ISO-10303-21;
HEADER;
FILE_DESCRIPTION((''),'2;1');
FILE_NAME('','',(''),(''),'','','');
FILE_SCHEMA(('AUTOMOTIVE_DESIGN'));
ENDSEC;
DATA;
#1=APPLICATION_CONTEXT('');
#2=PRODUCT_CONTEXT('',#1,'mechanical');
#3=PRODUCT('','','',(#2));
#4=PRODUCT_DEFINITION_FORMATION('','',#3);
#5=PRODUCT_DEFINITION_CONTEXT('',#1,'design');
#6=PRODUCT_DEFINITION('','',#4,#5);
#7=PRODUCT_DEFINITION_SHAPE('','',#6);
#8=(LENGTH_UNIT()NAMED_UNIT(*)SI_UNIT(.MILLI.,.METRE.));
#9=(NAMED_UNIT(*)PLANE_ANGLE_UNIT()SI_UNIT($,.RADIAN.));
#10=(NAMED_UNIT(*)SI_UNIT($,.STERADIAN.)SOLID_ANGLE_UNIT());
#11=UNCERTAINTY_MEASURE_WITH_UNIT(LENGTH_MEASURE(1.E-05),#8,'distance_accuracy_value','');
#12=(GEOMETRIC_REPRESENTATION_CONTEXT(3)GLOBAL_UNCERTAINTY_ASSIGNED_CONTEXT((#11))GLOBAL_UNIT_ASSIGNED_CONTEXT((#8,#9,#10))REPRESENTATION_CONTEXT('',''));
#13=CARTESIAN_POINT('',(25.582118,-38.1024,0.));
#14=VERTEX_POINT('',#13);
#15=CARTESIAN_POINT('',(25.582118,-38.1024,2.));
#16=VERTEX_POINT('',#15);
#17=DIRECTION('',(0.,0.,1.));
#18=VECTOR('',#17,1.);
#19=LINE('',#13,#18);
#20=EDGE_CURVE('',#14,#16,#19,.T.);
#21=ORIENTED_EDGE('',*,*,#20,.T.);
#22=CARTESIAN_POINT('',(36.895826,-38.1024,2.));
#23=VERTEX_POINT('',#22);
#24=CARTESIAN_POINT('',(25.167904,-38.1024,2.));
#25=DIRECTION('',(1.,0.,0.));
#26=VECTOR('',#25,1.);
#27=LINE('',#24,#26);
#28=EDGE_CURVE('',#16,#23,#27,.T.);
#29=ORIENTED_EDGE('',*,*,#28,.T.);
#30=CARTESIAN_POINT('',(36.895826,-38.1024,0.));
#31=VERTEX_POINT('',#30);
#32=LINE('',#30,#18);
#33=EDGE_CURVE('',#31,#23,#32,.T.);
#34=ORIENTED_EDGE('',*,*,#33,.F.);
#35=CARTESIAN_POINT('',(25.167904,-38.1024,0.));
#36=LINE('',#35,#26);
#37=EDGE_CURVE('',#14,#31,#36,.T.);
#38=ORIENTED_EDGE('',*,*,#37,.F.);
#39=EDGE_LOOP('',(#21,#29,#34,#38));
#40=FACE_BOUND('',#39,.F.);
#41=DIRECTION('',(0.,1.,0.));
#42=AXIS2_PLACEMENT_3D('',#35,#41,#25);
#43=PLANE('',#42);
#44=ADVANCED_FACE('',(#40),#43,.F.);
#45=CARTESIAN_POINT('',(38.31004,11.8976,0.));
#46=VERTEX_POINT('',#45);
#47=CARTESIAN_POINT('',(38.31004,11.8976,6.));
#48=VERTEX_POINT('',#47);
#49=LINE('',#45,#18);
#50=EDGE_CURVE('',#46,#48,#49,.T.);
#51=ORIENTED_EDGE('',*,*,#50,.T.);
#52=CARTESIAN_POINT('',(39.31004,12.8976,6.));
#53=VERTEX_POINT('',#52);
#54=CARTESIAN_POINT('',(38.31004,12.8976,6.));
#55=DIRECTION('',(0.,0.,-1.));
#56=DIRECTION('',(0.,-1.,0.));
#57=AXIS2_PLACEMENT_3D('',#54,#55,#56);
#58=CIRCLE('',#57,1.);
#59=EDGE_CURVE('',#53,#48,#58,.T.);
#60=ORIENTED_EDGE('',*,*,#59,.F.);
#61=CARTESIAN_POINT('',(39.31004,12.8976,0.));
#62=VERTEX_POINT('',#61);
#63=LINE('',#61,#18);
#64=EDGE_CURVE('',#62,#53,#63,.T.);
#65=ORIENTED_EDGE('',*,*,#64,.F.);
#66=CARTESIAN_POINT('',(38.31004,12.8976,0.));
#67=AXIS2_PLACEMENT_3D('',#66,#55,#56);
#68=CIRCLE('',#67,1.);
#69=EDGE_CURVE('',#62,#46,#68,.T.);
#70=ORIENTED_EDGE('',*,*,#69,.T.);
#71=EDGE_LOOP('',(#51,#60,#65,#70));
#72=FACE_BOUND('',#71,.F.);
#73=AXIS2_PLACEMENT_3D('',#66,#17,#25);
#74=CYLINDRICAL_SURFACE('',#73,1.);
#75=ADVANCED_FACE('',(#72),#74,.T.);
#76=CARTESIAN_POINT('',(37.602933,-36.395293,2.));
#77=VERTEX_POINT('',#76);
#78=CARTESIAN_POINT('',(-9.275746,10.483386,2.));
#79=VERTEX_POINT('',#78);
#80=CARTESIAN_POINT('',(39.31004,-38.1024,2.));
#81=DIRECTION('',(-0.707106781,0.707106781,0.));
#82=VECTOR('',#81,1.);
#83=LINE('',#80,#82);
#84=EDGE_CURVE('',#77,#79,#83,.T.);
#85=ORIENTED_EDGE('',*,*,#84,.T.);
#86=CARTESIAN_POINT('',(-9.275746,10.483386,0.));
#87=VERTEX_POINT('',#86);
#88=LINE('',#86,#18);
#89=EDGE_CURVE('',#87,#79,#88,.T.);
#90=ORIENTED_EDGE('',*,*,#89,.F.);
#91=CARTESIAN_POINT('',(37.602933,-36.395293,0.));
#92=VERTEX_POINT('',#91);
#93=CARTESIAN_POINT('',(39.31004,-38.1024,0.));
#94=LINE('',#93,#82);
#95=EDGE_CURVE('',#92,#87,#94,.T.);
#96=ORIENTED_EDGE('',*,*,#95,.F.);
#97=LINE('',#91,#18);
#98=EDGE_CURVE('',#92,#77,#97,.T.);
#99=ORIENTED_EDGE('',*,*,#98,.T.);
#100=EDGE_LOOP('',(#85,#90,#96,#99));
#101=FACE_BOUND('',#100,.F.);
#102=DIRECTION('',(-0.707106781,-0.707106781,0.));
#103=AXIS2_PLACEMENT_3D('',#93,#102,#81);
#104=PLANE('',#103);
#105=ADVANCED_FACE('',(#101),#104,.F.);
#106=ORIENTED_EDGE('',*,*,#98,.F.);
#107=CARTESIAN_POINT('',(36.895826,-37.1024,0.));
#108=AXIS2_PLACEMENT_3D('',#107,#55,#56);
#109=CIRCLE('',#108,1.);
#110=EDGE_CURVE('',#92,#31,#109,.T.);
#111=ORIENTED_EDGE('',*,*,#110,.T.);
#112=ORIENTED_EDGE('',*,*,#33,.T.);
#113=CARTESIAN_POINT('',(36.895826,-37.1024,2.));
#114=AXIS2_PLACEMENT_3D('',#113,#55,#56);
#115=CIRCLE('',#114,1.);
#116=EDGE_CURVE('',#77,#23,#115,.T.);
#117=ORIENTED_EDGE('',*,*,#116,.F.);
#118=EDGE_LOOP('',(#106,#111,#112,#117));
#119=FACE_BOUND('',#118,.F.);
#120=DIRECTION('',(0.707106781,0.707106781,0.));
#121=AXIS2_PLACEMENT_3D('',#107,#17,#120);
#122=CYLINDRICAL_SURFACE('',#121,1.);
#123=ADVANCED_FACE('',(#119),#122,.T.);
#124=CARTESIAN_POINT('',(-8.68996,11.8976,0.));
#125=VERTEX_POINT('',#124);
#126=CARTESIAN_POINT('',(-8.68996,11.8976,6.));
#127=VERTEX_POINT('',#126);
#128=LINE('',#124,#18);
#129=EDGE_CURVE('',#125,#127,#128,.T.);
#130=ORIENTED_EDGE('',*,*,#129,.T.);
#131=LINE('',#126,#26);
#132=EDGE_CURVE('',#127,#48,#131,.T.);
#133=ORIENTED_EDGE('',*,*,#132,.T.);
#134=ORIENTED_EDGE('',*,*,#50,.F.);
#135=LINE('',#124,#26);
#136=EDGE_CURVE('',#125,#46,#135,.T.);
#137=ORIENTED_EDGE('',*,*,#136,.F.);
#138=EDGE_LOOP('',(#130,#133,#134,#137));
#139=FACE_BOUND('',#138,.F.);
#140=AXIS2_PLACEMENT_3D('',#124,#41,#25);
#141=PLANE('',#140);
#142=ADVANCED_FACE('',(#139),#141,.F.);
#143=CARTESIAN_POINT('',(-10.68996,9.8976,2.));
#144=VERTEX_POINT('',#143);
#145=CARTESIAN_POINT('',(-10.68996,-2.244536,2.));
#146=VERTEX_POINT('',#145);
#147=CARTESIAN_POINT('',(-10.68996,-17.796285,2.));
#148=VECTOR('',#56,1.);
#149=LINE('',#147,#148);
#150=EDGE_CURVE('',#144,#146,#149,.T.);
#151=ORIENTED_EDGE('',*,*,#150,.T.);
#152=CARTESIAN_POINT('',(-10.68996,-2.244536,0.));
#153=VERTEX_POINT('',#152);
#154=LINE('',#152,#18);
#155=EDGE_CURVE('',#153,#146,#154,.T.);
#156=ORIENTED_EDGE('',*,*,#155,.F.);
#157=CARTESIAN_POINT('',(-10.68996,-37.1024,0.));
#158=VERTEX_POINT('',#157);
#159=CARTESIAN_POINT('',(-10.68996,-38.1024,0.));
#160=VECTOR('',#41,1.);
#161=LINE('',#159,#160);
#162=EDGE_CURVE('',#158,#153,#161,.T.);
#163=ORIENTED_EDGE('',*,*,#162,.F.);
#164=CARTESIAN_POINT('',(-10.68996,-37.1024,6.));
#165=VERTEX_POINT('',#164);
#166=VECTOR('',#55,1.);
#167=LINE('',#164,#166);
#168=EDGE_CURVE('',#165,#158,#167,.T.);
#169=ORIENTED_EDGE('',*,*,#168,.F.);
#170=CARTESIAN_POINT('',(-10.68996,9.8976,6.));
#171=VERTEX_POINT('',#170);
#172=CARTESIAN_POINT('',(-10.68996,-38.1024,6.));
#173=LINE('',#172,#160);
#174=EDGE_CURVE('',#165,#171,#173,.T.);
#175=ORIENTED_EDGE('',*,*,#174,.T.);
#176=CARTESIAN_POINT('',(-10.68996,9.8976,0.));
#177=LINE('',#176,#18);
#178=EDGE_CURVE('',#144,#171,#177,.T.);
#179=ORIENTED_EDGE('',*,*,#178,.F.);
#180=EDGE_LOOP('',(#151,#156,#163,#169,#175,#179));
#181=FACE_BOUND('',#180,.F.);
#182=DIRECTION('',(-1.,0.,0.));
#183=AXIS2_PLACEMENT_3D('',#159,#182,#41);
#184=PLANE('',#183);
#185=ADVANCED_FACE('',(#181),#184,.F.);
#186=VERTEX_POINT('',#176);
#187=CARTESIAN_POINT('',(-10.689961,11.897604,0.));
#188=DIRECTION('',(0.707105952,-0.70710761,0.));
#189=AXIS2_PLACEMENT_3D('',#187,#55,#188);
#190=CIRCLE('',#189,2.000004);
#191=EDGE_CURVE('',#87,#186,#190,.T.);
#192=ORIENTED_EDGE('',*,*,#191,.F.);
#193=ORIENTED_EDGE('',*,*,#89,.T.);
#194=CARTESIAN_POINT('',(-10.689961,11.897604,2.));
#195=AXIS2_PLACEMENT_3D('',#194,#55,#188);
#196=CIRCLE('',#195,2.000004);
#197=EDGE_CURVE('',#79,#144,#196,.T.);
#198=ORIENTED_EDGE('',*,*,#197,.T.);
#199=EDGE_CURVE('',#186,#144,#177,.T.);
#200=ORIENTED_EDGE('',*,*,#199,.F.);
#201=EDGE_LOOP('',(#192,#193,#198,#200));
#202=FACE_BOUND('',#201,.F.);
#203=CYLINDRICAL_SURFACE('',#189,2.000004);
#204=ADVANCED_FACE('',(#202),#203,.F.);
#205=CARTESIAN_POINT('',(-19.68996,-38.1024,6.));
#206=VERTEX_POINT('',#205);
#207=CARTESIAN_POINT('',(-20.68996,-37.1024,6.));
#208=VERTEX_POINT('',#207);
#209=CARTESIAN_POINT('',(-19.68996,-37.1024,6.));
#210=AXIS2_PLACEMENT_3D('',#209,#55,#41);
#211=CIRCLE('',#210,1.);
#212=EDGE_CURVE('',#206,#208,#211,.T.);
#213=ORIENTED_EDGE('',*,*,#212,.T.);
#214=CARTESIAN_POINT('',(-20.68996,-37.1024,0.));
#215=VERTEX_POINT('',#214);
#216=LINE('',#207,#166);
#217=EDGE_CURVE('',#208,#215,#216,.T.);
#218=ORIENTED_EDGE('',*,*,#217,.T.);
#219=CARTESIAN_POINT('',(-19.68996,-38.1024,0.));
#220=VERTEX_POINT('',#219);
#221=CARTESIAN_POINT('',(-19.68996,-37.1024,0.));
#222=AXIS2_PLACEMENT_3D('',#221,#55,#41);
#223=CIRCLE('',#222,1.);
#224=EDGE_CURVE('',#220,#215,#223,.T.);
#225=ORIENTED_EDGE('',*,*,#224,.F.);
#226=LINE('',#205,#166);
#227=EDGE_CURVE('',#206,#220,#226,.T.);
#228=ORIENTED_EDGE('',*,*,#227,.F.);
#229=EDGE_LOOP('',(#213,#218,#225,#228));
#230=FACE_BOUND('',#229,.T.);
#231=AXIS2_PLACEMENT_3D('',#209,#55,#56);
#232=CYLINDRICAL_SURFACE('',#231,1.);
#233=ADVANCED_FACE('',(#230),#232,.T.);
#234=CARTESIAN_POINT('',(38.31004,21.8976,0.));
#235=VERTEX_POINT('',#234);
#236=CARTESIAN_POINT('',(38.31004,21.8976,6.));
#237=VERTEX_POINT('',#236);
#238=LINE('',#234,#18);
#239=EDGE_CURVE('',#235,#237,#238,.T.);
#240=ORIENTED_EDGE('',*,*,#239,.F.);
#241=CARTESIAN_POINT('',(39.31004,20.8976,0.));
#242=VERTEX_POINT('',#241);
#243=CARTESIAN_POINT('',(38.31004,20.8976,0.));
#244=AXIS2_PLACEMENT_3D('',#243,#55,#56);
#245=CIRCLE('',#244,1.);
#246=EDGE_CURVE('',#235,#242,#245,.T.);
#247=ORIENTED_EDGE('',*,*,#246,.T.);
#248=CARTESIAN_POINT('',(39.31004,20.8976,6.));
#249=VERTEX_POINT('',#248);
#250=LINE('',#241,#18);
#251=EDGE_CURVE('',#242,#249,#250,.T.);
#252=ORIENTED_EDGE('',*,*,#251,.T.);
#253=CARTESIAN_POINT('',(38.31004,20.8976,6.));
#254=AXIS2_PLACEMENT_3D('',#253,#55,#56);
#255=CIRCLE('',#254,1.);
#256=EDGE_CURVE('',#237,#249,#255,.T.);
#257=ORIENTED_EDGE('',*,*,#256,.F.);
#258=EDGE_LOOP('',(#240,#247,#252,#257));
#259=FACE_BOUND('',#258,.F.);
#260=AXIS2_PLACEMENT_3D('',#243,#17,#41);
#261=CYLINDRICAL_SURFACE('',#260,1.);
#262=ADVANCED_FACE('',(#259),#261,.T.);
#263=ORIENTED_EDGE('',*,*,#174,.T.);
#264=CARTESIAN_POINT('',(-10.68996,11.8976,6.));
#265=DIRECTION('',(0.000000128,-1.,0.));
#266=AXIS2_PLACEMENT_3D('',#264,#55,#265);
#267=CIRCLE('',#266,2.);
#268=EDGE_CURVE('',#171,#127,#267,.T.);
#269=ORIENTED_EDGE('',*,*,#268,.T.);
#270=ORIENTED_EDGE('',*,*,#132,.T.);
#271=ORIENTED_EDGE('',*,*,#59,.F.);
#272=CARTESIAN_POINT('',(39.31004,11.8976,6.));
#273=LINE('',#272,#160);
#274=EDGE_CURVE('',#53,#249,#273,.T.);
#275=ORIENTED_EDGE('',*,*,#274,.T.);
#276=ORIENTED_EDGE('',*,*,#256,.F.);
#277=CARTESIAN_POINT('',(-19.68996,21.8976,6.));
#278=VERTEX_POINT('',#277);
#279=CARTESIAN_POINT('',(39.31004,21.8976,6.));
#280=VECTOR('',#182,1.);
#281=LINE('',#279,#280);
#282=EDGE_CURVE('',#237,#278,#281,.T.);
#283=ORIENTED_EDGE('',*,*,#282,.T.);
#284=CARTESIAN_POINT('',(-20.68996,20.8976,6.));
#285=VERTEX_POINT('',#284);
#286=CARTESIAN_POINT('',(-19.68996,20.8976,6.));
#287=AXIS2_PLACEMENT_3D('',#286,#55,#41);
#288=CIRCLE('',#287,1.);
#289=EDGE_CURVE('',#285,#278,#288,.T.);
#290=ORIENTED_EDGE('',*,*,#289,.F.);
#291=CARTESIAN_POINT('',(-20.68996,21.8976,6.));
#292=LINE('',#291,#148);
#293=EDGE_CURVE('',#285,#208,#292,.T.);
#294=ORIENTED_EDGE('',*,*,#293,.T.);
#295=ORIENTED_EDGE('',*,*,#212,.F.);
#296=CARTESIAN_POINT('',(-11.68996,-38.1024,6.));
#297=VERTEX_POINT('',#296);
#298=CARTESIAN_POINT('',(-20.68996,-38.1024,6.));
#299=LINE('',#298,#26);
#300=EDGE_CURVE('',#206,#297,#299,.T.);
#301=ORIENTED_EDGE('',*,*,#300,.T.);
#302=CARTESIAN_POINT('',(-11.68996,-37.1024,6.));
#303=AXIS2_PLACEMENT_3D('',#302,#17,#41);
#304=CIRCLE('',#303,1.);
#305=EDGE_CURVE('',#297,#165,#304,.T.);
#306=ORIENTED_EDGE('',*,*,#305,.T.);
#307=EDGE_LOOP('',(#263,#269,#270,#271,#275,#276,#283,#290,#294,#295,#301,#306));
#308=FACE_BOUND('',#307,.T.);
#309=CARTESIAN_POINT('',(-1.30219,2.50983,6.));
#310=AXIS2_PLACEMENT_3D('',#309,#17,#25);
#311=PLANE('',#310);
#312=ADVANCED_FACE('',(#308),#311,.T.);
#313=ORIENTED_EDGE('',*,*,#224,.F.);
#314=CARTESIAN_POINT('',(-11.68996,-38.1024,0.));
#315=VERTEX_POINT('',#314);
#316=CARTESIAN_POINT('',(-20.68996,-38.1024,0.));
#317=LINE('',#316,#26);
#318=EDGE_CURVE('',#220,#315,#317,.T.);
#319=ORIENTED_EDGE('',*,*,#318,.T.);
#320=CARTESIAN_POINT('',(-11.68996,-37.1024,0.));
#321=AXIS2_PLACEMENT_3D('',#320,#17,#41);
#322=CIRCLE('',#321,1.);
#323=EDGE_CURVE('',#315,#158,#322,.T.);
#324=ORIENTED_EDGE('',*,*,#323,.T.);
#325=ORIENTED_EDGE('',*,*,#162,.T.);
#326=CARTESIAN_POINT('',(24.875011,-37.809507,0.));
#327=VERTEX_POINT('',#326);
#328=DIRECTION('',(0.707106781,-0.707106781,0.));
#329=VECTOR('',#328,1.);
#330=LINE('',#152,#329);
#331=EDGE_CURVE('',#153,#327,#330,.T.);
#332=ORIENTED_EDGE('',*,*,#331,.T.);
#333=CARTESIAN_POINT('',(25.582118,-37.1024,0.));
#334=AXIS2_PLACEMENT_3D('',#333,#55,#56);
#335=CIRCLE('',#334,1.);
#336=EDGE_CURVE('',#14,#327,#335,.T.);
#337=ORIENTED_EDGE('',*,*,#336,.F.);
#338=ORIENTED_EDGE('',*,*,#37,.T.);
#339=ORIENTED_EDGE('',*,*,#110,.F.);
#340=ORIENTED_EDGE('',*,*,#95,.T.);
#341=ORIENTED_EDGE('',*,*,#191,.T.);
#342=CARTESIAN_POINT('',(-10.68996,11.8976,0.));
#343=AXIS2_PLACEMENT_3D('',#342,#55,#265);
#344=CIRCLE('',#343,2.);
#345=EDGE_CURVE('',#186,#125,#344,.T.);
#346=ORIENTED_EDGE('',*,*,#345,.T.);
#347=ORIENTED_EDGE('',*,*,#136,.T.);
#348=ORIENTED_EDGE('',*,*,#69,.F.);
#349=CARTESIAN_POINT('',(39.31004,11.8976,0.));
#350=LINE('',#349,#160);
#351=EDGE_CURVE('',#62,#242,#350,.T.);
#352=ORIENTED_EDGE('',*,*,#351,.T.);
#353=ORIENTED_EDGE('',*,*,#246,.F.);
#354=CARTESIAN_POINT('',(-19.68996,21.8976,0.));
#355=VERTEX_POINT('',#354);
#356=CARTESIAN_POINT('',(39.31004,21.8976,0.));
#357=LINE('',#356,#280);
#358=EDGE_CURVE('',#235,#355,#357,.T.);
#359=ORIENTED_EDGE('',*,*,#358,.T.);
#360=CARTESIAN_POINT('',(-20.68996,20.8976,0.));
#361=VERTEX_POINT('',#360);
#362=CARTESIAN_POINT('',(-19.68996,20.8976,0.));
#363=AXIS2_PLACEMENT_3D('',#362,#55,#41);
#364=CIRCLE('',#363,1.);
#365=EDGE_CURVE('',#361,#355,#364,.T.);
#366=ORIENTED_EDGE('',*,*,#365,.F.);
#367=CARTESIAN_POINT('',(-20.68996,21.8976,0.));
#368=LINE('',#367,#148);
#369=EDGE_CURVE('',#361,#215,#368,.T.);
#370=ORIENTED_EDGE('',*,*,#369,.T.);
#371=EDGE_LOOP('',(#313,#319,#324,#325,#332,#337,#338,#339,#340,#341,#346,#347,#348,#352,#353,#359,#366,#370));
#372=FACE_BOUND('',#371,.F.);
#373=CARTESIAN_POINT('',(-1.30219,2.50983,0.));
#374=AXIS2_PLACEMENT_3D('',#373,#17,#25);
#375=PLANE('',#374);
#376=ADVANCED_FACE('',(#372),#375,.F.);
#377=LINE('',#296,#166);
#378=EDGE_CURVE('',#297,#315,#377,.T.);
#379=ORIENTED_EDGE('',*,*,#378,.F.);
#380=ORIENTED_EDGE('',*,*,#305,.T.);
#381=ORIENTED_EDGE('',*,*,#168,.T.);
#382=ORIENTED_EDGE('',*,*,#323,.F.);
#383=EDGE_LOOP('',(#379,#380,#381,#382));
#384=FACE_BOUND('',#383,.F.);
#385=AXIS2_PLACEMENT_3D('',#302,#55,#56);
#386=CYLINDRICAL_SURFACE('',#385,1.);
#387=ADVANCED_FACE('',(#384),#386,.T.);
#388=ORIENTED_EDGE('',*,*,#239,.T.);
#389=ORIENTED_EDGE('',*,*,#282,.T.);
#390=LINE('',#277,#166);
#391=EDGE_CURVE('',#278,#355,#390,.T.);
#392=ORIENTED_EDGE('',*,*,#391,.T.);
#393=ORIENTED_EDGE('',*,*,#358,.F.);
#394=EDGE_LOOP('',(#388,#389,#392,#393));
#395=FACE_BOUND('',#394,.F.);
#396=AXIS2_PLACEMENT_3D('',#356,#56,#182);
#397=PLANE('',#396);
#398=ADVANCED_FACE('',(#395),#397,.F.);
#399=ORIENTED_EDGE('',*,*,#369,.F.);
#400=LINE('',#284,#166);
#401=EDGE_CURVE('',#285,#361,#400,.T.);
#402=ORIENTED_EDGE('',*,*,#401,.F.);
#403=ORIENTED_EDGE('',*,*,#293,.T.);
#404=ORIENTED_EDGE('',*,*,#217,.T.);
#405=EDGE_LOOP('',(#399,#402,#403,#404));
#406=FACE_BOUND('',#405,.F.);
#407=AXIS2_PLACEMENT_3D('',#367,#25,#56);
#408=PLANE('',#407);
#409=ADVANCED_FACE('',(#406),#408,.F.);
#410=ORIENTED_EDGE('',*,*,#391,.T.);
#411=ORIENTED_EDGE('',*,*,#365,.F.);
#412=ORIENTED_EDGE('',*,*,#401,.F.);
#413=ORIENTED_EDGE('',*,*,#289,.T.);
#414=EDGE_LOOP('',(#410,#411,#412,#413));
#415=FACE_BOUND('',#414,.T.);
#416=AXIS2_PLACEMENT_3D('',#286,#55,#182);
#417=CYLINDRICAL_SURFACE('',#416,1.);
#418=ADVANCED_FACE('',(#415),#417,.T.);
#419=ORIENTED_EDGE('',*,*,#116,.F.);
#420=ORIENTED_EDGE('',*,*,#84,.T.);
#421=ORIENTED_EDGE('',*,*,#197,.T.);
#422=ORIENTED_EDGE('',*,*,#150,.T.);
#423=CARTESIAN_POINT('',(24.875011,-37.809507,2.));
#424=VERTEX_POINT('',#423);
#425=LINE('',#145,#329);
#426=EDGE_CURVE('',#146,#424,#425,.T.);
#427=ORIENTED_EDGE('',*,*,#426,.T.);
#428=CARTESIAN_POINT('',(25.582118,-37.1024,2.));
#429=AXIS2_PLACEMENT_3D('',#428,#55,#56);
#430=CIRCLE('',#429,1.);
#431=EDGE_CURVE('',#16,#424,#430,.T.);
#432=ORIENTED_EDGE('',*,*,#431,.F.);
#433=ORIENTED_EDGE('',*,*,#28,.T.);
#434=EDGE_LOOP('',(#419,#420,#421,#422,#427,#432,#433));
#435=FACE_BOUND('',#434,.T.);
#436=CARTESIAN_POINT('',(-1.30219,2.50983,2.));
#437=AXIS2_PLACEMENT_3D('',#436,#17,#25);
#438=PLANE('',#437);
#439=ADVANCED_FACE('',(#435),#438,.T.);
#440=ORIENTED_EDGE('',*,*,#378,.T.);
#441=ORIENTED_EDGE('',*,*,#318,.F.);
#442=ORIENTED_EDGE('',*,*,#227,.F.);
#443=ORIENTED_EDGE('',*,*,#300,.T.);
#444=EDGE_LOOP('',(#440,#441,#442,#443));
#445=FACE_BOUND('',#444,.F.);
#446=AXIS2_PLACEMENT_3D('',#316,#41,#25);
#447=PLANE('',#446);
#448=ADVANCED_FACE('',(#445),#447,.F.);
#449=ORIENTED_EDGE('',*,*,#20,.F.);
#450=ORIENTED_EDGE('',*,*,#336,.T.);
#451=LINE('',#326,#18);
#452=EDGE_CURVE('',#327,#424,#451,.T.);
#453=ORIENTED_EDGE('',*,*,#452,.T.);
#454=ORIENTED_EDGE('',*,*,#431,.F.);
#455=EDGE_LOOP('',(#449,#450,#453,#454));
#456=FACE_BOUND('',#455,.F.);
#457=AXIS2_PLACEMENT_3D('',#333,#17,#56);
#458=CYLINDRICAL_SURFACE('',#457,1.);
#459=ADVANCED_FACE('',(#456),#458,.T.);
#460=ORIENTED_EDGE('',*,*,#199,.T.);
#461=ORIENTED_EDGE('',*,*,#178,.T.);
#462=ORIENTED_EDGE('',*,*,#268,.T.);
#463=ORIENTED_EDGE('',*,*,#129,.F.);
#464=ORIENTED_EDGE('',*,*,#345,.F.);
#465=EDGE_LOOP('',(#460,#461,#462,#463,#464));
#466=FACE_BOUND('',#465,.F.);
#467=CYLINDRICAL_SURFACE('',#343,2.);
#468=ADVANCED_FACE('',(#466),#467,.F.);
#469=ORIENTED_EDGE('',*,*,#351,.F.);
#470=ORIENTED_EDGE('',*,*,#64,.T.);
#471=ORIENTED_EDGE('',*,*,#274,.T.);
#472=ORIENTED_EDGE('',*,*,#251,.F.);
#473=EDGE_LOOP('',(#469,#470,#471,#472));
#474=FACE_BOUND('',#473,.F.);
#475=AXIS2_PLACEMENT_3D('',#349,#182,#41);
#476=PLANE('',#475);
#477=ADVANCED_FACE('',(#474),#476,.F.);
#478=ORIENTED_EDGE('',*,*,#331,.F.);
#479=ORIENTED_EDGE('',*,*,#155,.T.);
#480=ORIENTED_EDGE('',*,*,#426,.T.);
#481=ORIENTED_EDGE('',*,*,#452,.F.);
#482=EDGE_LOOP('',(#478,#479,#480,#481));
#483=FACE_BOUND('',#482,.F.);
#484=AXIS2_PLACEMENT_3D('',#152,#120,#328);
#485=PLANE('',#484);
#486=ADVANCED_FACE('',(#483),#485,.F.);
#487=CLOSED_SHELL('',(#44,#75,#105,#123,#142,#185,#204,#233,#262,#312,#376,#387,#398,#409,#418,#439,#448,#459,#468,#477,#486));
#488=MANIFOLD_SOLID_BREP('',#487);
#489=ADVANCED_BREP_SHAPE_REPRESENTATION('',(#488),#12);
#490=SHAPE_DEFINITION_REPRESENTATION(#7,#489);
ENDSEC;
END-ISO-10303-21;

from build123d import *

# Parameters (mm, degrees)
F1_DEPTH = 2
F2_DEPTH = 6
F3_R     = 1


with BuildPart() as f1:
    # F0 (on Top) → F1 (new body)
    with BuildSketch(Plane.XY):
        with BuildLine():
            ThreePointArc((0, -2), (-1.414214, 1.414214), (2, 0))
            Line((2, 0), (50, 0))
            Line((50, 0), (50, 10))
            Line((50, 10), (-10, 10))
            Line((-10, 10), (-10, -50))
            Line((-10, -50), (0, -50))
            Line((0, -50), (0, -14.142136))
            Line((0, -14.142136), (0, -2))
        make_face()
        with BuildLine():
            ThreePointArc((1.414214, -1.414214), (0.765367, -1.847759), (0, -2))
            Line((0, -2), (0, -14.142136))
            Line((0, -14.142136), (35.857864, -50))
            Line((35.857864, -50), (50, -50))
            Line((50, -50), (1.414214, -1.414214))
        make_face()
    extrude(amount=F1_DEPTH)

    # F0 (on Top) → F2 (join)
    with BuildSketch(Plane.XY):
        with BuildLine():
            ThreePointArc((0, -2), (-1.414214, 1.414214), (2, 0))
            Line((2, 0), (50, 0))
            Line((50, 0), (50, 10))
            Line((50, 10), (-10, 10))
            Line((-10, 10), (-10, -50))
            Line((-10, -50), (0, -50))
            Line((0, -50), (0, -14.142136))
            Line((0, -14.142136), (0, -2))
        make_face()
    extrude(amount=F2_DEPTH)

    # F3
    f3_edges = [f1.edges().sort_by_distance(p)[0] for p in [
        (-10, -50, 3),
        (0, -50, 3),
        (35.857864, -50, 1),
        (50, 0, 3),
        (50, 10, 3),
        (-10, 10, 3),
        (50, -50, 1),
    ]]
    fillet(f3_edges, radius=F3_R)


with BuildPart() as f1_1:
    # F4: moved
    add(f1.part.moved(Location((-10.68996, 11.8976, 0))))


solid = f1_1.part
